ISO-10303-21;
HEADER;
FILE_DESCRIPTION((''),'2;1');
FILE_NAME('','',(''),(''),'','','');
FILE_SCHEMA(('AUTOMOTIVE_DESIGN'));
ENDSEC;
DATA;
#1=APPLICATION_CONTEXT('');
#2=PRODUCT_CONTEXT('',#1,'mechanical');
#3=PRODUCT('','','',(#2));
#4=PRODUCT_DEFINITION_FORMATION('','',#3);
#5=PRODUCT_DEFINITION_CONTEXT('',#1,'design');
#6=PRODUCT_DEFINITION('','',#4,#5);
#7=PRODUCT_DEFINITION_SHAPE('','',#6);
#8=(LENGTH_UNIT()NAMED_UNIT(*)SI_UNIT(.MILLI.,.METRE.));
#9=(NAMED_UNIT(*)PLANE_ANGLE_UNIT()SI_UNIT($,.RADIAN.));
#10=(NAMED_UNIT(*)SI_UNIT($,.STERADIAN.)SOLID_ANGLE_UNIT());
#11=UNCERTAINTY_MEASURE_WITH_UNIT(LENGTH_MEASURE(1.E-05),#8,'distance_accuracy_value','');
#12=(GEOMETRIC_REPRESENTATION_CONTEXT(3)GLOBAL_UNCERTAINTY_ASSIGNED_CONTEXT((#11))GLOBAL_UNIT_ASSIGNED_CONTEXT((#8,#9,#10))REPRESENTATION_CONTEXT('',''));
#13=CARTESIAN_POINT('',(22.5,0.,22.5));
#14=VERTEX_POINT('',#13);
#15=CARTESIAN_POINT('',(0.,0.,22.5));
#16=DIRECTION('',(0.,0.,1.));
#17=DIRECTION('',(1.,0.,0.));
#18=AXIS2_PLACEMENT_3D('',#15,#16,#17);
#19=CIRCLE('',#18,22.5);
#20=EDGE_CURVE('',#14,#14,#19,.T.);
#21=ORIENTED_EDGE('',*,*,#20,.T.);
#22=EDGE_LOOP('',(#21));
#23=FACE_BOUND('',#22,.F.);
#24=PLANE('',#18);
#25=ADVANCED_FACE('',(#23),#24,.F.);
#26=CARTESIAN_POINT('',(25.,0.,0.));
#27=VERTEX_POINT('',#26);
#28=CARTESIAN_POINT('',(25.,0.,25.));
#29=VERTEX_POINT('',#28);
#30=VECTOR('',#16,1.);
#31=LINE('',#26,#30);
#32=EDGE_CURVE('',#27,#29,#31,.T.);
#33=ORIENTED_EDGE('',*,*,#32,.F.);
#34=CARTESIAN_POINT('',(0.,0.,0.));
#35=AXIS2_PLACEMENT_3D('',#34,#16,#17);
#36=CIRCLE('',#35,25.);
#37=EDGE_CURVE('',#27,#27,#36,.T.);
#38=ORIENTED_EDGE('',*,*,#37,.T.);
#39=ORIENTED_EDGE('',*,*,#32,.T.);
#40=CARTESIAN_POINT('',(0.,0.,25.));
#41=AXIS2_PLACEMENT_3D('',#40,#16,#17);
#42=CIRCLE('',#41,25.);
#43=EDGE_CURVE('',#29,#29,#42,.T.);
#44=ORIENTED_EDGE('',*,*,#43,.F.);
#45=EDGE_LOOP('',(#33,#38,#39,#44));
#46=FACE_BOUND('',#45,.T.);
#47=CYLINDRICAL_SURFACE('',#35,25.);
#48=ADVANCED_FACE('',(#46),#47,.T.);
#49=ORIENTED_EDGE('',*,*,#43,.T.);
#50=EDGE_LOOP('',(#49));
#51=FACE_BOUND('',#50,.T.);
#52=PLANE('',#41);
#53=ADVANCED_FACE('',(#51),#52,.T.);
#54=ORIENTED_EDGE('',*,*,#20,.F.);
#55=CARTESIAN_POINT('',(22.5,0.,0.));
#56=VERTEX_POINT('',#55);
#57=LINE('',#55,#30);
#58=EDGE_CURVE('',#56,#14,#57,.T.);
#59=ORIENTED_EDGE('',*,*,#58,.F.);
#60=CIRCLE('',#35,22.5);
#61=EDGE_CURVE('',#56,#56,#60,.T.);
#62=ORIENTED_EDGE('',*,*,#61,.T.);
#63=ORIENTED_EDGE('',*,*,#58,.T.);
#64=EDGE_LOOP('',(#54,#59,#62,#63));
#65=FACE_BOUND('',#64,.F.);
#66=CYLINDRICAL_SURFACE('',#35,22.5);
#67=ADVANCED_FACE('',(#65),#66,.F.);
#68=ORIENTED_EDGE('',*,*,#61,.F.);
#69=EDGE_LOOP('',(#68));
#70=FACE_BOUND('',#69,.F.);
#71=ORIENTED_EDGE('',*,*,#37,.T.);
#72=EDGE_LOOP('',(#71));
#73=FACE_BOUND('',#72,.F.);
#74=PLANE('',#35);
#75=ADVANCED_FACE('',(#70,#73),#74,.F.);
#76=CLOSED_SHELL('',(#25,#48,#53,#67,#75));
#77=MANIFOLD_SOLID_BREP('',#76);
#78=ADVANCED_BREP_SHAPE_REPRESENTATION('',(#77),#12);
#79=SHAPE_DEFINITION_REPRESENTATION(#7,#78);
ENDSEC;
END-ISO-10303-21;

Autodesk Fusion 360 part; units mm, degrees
cylinder "Grundkörper Zylinder1" add diameter 50 height 25 placed x (1, 0, 0) y (0, 1, 0) z (0, 0, 1) at (0, 0, 0)
shell "Schale1" thickness 2.5 removed faces 1 at (-6.7759, -1.242, 0)
